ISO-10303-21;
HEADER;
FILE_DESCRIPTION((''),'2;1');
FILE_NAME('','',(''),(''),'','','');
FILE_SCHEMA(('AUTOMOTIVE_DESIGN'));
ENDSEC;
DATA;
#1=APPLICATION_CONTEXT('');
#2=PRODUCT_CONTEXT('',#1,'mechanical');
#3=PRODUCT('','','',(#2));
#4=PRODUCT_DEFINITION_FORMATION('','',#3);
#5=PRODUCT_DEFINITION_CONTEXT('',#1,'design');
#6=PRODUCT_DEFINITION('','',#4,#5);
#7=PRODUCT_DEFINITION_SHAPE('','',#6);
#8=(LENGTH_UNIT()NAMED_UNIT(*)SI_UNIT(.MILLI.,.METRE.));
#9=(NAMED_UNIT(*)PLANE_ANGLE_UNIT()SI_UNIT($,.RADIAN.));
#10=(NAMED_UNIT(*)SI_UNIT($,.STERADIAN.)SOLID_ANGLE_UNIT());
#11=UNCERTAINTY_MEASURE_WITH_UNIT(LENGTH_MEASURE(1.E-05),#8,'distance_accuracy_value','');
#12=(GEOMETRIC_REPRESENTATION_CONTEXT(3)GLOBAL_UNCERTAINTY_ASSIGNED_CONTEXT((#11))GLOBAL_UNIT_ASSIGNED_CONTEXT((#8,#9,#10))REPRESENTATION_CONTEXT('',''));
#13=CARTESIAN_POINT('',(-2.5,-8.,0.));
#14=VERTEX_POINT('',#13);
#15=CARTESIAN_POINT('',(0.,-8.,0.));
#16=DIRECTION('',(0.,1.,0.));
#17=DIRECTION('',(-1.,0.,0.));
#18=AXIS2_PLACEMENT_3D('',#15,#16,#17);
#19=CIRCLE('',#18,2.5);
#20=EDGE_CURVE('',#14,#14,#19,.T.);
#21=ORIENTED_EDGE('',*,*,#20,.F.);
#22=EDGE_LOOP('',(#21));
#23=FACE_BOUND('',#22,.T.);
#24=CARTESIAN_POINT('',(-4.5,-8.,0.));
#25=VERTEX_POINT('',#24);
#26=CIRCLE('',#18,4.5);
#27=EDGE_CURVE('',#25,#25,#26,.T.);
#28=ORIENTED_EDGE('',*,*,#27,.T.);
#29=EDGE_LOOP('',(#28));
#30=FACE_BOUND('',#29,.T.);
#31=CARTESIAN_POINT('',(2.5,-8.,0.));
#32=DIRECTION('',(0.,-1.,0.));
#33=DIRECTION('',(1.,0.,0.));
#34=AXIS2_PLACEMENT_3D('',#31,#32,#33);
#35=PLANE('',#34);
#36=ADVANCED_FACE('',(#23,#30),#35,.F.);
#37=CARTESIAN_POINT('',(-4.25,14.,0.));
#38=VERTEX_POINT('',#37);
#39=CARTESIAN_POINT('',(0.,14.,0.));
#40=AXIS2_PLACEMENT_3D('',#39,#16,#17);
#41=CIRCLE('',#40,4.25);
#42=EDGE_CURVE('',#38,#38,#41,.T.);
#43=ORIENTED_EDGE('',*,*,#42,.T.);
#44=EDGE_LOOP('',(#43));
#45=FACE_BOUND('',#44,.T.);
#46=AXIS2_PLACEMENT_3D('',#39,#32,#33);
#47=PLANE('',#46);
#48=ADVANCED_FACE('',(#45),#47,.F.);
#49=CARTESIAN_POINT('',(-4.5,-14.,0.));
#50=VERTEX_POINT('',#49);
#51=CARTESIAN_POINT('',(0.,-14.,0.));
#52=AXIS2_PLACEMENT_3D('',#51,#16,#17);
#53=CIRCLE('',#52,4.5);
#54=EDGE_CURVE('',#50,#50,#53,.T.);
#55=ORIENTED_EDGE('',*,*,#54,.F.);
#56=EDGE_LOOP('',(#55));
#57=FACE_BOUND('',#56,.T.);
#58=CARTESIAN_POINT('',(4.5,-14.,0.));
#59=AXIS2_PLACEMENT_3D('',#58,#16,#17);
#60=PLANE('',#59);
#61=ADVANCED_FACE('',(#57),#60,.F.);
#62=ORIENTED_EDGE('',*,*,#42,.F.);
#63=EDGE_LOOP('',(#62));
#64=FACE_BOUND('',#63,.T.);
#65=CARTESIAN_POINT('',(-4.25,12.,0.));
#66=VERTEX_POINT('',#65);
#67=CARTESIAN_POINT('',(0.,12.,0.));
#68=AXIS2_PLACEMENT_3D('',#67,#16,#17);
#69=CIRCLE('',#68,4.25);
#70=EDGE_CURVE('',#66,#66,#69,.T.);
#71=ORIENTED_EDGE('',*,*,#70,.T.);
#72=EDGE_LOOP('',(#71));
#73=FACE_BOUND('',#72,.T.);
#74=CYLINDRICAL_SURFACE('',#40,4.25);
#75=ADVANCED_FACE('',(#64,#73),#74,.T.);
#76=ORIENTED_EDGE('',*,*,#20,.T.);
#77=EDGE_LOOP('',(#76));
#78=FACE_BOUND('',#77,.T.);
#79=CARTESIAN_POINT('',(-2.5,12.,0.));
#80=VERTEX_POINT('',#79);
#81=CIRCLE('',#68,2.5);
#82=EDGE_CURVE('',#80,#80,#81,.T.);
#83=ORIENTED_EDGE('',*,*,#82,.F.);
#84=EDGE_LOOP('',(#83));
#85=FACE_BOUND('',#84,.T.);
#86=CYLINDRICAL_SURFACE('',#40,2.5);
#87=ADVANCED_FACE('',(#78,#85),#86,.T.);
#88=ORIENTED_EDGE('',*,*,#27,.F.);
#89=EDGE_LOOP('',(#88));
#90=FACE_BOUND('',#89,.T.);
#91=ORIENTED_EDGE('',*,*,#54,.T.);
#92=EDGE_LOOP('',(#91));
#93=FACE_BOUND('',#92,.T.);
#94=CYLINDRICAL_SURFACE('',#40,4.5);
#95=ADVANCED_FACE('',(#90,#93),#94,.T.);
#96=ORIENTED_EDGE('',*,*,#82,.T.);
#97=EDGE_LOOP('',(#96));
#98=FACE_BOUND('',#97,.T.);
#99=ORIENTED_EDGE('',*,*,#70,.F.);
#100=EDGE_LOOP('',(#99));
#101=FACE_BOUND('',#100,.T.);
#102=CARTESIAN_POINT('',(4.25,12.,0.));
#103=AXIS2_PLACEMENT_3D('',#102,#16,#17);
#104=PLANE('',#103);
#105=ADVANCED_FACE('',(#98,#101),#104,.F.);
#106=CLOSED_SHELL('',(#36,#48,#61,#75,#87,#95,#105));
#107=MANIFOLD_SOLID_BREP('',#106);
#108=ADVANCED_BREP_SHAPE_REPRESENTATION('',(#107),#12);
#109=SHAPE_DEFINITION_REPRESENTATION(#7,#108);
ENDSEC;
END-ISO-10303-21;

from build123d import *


with BuildPart() as part:
    # Sketch1 → Revolve1 (revolve)
    with BuildSketch(Plane.XY):
        Polygon((0, 14), (4.25, 14), (4.25, 12), (2.5, 12), (2.5, -8), (4.5, -8), (4.5, -14), (0, -14), align=None)
    revolve(axis=Axis((0, 14, 0), (0, -1, 0)))


solid = part.part
